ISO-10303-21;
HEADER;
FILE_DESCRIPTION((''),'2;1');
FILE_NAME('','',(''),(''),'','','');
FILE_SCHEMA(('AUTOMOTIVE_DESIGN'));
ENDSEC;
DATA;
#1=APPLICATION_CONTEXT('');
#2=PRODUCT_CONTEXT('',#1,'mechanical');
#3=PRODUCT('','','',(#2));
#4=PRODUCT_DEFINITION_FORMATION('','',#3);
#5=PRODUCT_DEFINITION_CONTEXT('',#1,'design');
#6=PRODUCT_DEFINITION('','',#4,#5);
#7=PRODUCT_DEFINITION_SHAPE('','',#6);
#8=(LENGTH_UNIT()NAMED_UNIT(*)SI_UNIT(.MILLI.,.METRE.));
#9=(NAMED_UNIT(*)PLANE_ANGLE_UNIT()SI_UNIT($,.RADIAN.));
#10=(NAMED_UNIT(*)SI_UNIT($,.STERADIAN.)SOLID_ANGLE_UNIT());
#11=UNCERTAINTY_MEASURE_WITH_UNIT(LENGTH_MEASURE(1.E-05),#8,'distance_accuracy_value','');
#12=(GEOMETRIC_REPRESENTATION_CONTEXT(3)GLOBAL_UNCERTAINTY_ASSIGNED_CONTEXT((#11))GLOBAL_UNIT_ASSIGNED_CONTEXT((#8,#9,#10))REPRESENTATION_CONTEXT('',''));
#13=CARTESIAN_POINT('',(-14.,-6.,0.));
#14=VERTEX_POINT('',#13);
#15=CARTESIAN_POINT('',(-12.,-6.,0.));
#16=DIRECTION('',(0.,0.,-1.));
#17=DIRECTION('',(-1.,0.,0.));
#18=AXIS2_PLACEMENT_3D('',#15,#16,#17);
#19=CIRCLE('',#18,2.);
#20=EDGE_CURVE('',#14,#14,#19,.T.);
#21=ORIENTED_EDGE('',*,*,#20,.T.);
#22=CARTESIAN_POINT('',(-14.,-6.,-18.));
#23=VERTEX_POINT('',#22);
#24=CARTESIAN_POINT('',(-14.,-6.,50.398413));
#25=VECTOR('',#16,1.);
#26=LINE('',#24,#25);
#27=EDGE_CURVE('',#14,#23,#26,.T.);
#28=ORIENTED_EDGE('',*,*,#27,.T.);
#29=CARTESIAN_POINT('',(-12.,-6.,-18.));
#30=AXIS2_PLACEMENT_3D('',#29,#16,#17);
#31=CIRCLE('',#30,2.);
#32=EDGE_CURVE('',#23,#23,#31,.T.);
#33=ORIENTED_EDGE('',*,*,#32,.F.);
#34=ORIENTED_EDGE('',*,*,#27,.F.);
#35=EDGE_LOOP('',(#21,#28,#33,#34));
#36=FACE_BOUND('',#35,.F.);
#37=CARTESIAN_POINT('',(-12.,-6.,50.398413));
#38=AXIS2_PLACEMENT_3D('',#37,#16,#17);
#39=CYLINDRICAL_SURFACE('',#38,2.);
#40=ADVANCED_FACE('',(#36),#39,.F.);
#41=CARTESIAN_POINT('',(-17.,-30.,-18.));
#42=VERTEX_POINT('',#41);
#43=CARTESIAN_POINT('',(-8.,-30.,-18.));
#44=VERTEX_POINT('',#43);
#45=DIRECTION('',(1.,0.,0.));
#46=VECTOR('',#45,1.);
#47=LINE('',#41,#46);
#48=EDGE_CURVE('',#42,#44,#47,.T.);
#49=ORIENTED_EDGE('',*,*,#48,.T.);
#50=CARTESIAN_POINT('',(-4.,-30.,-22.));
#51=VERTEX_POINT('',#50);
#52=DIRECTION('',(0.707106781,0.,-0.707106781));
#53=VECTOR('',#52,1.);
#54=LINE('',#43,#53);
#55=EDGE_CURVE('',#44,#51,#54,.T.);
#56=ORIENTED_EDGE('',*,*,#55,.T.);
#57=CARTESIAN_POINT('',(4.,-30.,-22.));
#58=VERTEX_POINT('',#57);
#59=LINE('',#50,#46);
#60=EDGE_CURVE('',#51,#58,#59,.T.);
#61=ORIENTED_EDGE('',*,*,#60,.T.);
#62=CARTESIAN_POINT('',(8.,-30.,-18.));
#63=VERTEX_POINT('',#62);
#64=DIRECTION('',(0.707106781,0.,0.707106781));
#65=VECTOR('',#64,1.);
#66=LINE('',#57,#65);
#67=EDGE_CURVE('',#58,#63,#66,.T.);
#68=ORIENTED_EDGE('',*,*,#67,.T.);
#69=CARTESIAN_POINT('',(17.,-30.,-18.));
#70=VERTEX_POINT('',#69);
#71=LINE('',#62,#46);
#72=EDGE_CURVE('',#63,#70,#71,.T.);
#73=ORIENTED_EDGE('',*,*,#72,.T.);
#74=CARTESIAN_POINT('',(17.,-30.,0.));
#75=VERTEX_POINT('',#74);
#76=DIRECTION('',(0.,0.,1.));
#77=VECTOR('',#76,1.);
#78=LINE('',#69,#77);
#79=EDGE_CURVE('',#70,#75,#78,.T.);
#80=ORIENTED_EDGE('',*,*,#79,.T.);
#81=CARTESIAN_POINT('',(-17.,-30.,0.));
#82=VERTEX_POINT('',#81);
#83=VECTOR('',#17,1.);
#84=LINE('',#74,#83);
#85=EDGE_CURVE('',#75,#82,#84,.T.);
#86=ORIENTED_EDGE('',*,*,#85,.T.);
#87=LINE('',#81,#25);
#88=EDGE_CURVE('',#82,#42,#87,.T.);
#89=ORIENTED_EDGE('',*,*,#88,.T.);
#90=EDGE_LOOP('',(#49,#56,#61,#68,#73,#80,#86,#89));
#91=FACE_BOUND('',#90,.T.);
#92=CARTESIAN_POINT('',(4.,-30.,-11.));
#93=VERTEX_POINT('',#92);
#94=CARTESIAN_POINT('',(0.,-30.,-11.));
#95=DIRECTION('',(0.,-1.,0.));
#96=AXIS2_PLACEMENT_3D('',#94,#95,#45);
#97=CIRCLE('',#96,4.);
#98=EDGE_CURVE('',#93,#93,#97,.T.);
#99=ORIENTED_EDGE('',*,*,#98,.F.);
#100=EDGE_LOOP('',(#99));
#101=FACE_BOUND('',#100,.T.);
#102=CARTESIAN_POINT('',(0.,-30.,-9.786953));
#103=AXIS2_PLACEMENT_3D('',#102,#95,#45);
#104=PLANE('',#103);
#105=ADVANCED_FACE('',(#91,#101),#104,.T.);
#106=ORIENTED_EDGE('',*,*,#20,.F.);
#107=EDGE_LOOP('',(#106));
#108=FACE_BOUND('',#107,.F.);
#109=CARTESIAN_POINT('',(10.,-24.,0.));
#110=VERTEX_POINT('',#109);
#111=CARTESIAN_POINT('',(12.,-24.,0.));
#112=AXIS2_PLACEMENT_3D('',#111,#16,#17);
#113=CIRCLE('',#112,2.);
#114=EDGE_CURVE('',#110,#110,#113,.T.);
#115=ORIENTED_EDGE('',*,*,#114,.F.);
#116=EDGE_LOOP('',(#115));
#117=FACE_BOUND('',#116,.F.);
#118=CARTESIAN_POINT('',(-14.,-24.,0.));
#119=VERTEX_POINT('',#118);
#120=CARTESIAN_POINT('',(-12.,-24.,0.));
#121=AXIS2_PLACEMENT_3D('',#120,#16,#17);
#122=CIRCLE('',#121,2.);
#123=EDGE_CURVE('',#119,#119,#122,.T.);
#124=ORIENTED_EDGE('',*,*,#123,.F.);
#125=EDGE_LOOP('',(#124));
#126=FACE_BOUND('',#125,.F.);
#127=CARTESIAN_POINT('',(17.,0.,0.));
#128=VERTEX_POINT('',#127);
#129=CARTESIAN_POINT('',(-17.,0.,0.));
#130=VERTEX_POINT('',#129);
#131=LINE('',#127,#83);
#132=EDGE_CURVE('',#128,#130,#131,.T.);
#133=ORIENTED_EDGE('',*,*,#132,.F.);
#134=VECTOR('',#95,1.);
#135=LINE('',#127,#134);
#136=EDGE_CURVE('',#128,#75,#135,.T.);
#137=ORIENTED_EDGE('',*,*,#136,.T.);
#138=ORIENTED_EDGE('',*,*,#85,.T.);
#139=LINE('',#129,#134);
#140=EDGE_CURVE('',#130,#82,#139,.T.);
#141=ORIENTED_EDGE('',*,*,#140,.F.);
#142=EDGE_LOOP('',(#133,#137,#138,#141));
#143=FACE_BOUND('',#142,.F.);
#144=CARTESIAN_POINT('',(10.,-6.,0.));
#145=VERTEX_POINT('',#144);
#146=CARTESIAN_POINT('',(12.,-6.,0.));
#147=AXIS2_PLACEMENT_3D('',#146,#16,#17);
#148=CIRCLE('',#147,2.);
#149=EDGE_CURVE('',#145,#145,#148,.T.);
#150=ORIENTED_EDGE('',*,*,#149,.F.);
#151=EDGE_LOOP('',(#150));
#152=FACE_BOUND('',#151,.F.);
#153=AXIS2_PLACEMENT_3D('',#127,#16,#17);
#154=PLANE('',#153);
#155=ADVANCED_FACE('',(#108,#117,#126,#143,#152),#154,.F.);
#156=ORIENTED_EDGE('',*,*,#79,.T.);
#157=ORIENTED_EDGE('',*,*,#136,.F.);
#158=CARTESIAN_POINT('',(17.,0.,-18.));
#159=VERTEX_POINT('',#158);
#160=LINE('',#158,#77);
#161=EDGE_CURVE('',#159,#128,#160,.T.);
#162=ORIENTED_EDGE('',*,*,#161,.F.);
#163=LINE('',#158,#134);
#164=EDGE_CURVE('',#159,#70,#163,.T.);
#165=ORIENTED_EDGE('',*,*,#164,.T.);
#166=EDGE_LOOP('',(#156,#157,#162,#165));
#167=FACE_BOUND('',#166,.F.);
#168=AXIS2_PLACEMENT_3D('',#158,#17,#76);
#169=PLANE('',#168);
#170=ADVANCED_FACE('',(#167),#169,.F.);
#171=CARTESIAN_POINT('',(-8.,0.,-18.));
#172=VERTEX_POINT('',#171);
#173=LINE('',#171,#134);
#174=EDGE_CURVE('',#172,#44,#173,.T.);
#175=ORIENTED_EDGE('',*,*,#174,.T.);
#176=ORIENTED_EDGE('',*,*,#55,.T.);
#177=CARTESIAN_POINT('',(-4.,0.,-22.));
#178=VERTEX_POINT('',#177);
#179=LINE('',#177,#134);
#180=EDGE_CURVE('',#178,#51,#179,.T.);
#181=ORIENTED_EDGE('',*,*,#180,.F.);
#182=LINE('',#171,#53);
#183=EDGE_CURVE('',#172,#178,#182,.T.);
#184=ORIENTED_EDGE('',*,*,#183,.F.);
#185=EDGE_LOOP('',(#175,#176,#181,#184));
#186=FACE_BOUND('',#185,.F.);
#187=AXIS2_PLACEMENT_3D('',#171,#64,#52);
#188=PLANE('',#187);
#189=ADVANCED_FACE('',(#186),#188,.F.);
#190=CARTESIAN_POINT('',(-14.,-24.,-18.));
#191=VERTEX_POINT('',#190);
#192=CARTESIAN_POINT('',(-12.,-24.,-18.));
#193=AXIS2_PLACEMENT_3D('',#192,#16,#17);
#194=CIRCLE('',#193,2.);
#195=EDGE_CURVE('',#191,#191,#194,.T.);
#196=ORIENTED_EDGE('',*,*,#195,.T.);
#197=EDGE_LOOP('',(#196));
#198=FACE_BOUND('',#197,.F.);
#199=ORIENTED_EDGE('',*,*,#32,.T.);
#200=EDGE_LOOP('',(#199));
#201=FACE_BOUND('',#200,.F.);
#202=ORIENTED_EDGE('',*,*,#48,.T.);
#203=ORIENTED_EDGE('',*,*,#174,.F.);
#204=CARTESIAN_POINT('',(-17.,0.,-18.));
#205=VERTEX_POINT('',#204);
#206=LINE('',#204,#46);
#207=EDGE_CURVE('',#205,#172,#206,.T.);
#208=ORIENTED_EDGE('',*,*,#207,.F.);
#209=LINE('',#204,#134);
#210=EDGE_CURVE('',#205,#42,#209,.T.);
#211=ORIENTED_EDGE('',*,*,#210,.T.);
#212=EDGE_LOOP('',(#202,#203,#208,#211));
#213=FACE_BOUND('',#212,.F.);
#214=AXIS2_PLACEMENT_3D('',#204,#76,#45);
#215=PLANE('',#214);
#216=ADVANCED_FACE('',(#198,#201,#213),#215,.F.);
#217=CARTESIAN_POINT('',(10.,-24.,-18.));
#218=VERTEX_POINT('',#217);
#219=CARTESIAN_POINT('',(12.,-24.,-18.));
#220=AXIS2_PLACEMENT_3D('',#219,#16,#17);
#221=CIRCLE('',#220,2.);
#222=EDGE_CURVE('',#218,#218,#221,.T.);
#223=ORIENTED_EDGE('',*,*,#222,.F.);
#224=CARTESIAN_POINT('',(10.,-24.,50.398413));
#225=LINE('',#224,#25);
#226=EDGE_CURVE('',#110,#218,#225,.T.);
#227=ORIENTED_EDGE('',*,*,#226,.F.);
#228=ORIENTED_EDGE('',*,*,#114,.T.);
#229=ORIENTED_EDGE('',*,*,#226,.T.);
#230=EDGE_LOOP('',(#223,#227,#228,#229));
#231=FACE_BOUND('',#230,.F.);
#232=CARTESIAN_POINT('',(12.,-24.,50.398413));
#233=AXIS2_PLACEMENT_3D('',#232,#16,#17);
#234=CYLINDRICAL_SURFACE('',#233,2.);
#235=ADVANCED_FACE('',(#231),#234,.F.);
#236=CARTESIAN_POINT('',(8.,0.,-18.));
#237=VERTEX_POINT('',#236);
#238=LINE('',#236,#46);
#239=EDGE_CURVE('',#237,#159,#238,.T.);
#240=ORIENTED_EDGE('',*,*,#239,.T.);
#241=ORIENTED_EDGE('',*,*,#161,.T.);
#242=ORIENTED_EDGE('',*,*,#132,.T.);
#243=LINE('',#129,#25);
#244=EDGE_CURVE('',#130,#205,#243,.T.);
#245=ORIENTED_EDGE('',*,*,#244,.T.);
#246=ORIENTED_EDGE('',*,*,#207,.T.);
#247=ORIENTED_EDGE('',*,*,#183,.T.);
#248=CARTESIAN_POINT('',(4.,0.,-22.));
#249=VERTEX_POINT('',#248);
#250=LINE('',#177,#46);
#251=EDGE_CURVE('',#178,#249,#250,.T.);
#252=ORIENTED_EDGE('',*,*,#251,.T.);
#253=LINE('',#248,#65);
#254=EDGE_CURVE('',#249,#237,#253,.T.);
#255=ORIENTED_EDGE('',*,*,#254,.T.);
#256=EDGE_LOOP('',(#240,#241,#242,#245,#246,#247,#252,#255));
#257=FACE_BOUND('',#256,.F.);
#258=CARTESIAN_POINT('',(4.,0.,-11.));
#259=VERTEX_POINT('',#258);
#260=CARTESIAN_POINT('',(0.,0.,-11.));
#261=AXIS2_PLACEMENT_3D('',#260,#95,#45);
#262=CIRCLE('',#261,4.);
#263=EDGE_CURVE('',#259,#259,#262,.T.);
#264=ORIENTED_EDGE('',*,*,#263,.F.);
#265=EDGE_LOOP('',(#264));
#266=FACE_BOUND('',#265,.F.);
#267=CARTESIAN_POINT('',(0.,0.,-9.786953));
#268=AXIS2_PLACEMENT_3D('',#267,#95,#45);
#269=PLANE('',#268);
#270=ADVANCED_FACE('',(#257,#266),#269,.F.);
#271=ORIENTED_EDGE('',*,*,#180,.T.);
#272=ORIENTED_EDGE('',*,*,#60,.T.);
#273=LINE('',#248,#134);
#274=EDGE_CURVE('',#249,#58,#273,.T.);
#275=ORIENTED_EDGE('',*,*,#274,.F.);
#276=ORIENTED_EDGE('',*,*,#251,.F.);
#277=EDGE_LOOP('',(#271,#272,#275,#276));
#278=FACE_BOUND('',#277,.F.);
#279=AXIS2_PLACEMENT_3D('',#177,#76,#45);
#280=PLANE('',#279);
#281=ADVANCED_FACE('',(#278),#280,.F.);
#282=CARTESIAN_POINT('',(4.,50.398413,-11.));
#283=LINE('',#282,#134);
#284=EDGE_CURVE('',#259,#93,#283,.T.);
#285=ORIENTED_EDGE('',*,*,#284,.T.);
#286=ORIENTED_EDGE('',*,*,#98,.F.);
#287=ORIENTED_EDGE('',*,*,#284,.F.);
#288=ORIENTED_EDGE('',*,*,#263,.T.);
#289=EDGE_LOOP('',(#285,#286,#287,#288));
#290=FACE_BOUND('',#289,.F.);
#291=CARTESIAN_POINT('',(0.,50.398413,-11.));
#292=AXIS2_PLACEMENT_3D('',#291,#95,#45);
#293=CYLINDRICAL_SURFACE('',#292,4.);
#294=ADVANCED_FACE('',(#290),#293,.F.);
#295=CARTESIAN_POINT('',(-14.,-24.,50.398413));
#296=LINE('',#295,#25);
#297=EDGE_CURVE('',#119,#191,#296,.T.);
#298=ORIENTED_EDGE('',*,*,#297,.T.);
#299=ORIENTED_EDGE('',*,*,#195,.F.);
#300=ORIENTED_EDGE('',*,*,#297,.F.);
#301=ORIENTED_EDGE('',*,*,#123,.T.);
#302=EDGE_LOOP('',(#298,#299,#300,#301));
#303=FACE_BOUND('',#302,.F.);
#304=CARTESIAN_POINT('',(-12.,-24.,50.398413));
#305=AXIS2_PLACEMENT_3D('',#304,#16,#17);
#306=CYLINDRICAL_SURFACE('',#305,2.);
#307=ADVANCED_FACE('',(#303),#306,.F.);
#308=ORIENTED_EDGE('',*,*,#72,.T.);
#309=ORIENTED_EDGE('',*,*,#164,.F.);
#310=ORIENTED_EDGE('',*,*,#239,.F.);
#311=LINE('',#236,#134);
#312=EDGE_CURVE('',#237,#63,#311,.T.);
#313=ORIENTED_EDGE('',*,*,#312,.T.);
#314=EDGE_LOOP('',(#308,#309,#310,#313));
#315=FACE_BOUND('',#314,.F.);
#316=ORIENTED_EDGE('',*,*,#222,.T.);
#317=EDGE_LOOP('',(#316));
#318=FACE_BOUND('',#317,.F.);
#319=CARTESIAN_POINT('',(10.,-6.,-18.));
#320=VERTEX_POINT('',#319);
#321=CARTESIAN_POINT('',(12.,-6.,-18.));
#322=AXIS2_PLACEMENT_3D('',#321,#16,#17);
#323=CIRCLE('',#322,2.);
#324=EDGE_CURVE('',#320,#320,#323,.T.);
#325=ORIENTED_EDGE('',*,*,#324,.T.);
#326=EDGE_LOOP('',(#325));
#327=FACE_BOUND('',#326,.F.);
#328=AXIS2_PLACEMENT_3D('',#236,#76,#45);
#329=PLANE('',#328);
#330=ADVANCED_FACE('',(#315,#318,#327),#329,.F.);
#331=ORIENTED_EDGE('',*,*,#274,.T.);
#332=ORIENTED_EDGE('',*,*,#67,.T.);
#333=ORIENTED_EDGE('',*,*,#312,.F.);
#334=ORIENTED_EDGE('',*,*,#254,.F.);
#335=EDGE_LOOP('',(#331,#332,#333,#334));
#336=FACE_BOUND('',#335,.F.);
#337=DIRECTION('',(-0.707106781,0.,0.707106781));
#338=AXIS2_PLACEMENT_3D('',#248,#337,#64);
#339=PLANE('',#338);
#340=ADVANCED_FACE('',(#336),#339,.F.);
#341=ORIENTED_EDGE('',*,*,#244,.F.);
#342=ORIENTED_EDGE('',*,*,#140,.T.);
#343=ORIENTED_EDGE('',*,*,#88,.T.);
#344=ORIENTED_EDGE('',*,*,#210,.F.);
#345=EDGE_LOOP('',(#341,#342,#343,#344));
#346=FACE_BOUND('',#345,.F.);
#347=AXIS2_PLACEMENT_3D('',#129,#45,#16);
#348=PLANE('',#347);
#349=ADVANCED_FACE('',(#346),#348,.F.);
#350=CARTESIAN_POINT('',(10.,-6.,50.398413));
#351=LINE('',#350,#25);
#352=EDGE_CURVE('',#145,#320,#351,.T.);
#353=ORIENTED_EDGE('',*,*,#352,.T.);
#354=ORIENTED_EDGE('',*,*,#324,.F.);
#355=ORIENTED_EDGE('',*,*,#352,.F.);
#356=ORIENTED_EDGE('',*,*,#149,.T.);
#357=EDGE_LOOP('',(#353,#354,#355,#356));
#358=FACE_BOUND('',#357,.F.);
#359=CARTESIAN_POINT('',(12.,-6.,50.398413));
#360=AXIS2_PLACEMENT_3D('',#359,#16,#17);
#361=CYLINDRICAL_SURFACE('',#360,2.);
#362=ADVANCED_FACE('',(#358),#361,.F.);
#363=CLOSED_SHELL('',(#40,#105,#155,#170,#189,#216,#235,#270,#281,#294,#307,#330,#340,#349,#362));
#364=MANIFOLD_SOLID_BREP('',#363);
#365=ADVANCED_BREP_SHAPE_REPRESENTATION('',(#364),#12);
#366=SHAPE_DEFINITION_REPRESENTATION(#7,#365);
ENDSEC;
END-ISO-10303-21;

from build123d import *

# Parameters (mm, degrees)
F1_DEPTH = 30
F3_D     = 8
F5_D     = 4


with BuildPart() as f1:
    # F0 (on Front) → F1 (new body)
    with BuildSketch(Plane.XZ):
        Polygon((17, 0), (-17, 0), (-17, -18), (-8, -18), (-4, -22), (4, -22), (8, -18), (17, -18), align=None)
    extrude(amount=F1_DEPTH)

    # F3 (through all)
    with Locations(Plane(origin=(0, 0, 0), x_dir=(-1, 0, 0), z_dir=(0, 1, 0))):
        with Locations((0, -11)):
            Hole(F3_D / 2)

    # F5 (through all)
    with Locations(Plane.XY):
        with Locations((12, -24), (12, -6), (-12, -6), (-12, -24)):
            Hole(F5_D / 2)


solid = f1.part
